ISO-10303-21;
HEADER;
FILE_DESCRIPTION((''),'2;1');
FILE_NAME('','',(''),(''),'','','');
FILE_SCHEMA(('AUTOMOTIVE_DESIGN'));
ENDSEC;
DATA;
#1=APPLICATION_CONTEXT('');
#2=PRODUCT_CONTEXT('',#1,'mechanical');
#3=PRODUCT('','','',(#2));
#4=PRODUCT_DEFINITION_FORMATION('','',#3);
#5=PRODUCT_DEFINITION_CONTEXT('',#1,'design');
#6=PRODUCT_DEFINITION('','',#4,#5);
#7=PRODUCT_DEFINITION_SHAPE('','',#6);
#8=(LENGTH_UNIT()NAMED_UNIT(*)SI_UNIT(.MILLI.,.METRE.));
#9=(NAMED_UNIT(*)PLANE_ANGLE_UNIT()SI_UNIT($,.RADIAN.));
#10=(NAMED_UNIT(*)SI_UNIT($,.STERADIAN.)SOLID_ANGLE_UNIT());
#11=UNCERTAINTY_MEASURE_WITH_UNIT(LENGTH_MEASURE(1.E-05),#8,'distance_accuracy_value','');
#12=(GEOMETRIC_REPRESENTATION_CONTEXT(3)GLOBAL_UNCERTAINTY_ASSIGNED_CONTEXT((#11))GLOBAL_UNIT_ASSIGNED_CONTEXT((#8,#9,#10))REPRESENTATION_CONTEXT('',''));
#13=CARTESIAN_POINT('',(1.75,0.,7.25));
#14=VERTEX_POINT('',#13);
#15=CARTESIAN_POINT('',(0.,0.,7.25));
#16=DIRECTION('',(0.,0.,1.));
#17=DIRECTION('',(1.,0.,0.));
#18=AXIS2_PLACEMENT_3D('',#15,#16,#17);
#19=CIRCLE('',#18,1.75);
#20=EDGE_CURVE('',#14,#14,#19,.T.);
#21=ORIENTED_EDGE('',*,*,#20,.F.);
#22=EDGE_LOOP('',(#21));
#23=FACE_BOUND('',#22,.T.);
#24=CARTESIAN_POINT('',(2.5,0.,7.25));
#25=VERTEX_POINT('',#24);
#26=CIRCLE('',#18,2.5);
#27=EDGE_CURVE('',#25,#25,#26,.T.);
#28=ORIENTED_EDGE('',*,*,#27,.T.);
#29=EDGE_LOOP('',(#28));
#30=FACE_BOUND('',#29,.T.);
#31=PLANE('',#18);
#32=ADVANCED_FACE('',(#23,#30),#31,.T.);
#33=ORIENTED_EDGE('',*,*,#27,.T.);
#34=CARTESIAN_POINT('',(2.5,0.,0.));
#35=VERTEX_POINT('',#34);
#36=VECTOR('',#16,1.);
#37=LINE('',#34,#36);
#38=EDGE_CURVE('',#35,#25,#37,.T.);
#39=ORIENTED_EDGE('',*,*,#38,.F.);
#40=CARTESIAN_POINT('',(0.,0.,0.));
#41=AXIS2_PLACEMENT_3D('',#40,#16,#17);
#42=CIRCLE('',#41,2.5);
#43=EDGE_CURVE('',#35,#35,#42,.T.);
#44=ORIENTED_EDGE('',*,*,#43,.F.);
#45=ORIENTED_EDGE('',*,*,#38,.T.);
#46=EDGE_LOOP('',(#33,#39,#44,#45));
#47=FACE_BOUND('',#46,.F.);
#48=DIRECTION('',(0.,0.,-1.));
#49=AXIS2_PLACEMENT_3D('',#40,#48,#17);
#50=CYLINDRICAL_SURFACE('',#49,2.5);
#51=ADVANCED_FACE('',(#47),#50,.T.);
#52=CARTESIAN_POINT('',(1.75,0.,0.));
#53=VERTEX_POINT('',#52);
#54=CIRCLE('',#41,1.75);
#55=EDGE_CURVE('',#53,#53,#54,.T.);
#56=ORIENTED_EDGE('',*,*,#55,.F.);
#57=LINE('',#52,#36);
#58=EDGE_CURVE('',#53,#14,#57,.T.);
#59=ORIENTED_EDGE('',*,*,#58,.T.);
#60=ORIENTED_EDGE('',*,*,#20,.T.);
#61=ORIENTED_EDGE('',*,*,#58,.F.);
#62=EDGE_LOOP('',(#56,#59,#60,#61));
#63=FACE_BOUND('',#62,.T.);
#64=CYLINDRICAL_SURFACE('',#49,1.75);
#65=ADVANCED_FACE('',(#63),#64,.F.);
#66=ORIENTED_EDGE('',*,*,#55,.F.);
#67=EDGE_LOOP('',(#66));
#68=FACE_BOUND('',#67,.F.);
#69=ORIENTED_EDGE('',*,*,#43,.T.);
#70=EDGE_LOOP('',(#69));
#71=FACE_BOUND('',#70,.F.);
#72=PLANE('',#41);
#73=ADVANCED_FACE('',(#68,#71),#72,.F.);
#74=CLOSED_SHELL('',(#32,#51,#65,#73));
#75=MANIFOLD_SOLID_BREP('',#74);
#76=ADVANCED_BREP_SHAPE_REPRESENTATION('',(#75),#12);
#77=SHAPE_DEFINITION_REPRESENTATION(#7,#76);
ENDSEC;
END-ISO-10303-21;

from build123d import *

# Parameters (mm, degrees)
SKETCH_R   = 2.5
SKETCH_R_2 = 1.75
PAD_DEPTH  = 7.25


with BuildPart() as part:
    # Sketch → Pad (new body)
    with BuildSketch(Plane.XY):
        Circle(SKETCH_R)
        Circle(SKETCH_R_2, mode=Mode.SUBTRACT)
    extrude(amount=PAD_DEPTH)


solid = part.part
